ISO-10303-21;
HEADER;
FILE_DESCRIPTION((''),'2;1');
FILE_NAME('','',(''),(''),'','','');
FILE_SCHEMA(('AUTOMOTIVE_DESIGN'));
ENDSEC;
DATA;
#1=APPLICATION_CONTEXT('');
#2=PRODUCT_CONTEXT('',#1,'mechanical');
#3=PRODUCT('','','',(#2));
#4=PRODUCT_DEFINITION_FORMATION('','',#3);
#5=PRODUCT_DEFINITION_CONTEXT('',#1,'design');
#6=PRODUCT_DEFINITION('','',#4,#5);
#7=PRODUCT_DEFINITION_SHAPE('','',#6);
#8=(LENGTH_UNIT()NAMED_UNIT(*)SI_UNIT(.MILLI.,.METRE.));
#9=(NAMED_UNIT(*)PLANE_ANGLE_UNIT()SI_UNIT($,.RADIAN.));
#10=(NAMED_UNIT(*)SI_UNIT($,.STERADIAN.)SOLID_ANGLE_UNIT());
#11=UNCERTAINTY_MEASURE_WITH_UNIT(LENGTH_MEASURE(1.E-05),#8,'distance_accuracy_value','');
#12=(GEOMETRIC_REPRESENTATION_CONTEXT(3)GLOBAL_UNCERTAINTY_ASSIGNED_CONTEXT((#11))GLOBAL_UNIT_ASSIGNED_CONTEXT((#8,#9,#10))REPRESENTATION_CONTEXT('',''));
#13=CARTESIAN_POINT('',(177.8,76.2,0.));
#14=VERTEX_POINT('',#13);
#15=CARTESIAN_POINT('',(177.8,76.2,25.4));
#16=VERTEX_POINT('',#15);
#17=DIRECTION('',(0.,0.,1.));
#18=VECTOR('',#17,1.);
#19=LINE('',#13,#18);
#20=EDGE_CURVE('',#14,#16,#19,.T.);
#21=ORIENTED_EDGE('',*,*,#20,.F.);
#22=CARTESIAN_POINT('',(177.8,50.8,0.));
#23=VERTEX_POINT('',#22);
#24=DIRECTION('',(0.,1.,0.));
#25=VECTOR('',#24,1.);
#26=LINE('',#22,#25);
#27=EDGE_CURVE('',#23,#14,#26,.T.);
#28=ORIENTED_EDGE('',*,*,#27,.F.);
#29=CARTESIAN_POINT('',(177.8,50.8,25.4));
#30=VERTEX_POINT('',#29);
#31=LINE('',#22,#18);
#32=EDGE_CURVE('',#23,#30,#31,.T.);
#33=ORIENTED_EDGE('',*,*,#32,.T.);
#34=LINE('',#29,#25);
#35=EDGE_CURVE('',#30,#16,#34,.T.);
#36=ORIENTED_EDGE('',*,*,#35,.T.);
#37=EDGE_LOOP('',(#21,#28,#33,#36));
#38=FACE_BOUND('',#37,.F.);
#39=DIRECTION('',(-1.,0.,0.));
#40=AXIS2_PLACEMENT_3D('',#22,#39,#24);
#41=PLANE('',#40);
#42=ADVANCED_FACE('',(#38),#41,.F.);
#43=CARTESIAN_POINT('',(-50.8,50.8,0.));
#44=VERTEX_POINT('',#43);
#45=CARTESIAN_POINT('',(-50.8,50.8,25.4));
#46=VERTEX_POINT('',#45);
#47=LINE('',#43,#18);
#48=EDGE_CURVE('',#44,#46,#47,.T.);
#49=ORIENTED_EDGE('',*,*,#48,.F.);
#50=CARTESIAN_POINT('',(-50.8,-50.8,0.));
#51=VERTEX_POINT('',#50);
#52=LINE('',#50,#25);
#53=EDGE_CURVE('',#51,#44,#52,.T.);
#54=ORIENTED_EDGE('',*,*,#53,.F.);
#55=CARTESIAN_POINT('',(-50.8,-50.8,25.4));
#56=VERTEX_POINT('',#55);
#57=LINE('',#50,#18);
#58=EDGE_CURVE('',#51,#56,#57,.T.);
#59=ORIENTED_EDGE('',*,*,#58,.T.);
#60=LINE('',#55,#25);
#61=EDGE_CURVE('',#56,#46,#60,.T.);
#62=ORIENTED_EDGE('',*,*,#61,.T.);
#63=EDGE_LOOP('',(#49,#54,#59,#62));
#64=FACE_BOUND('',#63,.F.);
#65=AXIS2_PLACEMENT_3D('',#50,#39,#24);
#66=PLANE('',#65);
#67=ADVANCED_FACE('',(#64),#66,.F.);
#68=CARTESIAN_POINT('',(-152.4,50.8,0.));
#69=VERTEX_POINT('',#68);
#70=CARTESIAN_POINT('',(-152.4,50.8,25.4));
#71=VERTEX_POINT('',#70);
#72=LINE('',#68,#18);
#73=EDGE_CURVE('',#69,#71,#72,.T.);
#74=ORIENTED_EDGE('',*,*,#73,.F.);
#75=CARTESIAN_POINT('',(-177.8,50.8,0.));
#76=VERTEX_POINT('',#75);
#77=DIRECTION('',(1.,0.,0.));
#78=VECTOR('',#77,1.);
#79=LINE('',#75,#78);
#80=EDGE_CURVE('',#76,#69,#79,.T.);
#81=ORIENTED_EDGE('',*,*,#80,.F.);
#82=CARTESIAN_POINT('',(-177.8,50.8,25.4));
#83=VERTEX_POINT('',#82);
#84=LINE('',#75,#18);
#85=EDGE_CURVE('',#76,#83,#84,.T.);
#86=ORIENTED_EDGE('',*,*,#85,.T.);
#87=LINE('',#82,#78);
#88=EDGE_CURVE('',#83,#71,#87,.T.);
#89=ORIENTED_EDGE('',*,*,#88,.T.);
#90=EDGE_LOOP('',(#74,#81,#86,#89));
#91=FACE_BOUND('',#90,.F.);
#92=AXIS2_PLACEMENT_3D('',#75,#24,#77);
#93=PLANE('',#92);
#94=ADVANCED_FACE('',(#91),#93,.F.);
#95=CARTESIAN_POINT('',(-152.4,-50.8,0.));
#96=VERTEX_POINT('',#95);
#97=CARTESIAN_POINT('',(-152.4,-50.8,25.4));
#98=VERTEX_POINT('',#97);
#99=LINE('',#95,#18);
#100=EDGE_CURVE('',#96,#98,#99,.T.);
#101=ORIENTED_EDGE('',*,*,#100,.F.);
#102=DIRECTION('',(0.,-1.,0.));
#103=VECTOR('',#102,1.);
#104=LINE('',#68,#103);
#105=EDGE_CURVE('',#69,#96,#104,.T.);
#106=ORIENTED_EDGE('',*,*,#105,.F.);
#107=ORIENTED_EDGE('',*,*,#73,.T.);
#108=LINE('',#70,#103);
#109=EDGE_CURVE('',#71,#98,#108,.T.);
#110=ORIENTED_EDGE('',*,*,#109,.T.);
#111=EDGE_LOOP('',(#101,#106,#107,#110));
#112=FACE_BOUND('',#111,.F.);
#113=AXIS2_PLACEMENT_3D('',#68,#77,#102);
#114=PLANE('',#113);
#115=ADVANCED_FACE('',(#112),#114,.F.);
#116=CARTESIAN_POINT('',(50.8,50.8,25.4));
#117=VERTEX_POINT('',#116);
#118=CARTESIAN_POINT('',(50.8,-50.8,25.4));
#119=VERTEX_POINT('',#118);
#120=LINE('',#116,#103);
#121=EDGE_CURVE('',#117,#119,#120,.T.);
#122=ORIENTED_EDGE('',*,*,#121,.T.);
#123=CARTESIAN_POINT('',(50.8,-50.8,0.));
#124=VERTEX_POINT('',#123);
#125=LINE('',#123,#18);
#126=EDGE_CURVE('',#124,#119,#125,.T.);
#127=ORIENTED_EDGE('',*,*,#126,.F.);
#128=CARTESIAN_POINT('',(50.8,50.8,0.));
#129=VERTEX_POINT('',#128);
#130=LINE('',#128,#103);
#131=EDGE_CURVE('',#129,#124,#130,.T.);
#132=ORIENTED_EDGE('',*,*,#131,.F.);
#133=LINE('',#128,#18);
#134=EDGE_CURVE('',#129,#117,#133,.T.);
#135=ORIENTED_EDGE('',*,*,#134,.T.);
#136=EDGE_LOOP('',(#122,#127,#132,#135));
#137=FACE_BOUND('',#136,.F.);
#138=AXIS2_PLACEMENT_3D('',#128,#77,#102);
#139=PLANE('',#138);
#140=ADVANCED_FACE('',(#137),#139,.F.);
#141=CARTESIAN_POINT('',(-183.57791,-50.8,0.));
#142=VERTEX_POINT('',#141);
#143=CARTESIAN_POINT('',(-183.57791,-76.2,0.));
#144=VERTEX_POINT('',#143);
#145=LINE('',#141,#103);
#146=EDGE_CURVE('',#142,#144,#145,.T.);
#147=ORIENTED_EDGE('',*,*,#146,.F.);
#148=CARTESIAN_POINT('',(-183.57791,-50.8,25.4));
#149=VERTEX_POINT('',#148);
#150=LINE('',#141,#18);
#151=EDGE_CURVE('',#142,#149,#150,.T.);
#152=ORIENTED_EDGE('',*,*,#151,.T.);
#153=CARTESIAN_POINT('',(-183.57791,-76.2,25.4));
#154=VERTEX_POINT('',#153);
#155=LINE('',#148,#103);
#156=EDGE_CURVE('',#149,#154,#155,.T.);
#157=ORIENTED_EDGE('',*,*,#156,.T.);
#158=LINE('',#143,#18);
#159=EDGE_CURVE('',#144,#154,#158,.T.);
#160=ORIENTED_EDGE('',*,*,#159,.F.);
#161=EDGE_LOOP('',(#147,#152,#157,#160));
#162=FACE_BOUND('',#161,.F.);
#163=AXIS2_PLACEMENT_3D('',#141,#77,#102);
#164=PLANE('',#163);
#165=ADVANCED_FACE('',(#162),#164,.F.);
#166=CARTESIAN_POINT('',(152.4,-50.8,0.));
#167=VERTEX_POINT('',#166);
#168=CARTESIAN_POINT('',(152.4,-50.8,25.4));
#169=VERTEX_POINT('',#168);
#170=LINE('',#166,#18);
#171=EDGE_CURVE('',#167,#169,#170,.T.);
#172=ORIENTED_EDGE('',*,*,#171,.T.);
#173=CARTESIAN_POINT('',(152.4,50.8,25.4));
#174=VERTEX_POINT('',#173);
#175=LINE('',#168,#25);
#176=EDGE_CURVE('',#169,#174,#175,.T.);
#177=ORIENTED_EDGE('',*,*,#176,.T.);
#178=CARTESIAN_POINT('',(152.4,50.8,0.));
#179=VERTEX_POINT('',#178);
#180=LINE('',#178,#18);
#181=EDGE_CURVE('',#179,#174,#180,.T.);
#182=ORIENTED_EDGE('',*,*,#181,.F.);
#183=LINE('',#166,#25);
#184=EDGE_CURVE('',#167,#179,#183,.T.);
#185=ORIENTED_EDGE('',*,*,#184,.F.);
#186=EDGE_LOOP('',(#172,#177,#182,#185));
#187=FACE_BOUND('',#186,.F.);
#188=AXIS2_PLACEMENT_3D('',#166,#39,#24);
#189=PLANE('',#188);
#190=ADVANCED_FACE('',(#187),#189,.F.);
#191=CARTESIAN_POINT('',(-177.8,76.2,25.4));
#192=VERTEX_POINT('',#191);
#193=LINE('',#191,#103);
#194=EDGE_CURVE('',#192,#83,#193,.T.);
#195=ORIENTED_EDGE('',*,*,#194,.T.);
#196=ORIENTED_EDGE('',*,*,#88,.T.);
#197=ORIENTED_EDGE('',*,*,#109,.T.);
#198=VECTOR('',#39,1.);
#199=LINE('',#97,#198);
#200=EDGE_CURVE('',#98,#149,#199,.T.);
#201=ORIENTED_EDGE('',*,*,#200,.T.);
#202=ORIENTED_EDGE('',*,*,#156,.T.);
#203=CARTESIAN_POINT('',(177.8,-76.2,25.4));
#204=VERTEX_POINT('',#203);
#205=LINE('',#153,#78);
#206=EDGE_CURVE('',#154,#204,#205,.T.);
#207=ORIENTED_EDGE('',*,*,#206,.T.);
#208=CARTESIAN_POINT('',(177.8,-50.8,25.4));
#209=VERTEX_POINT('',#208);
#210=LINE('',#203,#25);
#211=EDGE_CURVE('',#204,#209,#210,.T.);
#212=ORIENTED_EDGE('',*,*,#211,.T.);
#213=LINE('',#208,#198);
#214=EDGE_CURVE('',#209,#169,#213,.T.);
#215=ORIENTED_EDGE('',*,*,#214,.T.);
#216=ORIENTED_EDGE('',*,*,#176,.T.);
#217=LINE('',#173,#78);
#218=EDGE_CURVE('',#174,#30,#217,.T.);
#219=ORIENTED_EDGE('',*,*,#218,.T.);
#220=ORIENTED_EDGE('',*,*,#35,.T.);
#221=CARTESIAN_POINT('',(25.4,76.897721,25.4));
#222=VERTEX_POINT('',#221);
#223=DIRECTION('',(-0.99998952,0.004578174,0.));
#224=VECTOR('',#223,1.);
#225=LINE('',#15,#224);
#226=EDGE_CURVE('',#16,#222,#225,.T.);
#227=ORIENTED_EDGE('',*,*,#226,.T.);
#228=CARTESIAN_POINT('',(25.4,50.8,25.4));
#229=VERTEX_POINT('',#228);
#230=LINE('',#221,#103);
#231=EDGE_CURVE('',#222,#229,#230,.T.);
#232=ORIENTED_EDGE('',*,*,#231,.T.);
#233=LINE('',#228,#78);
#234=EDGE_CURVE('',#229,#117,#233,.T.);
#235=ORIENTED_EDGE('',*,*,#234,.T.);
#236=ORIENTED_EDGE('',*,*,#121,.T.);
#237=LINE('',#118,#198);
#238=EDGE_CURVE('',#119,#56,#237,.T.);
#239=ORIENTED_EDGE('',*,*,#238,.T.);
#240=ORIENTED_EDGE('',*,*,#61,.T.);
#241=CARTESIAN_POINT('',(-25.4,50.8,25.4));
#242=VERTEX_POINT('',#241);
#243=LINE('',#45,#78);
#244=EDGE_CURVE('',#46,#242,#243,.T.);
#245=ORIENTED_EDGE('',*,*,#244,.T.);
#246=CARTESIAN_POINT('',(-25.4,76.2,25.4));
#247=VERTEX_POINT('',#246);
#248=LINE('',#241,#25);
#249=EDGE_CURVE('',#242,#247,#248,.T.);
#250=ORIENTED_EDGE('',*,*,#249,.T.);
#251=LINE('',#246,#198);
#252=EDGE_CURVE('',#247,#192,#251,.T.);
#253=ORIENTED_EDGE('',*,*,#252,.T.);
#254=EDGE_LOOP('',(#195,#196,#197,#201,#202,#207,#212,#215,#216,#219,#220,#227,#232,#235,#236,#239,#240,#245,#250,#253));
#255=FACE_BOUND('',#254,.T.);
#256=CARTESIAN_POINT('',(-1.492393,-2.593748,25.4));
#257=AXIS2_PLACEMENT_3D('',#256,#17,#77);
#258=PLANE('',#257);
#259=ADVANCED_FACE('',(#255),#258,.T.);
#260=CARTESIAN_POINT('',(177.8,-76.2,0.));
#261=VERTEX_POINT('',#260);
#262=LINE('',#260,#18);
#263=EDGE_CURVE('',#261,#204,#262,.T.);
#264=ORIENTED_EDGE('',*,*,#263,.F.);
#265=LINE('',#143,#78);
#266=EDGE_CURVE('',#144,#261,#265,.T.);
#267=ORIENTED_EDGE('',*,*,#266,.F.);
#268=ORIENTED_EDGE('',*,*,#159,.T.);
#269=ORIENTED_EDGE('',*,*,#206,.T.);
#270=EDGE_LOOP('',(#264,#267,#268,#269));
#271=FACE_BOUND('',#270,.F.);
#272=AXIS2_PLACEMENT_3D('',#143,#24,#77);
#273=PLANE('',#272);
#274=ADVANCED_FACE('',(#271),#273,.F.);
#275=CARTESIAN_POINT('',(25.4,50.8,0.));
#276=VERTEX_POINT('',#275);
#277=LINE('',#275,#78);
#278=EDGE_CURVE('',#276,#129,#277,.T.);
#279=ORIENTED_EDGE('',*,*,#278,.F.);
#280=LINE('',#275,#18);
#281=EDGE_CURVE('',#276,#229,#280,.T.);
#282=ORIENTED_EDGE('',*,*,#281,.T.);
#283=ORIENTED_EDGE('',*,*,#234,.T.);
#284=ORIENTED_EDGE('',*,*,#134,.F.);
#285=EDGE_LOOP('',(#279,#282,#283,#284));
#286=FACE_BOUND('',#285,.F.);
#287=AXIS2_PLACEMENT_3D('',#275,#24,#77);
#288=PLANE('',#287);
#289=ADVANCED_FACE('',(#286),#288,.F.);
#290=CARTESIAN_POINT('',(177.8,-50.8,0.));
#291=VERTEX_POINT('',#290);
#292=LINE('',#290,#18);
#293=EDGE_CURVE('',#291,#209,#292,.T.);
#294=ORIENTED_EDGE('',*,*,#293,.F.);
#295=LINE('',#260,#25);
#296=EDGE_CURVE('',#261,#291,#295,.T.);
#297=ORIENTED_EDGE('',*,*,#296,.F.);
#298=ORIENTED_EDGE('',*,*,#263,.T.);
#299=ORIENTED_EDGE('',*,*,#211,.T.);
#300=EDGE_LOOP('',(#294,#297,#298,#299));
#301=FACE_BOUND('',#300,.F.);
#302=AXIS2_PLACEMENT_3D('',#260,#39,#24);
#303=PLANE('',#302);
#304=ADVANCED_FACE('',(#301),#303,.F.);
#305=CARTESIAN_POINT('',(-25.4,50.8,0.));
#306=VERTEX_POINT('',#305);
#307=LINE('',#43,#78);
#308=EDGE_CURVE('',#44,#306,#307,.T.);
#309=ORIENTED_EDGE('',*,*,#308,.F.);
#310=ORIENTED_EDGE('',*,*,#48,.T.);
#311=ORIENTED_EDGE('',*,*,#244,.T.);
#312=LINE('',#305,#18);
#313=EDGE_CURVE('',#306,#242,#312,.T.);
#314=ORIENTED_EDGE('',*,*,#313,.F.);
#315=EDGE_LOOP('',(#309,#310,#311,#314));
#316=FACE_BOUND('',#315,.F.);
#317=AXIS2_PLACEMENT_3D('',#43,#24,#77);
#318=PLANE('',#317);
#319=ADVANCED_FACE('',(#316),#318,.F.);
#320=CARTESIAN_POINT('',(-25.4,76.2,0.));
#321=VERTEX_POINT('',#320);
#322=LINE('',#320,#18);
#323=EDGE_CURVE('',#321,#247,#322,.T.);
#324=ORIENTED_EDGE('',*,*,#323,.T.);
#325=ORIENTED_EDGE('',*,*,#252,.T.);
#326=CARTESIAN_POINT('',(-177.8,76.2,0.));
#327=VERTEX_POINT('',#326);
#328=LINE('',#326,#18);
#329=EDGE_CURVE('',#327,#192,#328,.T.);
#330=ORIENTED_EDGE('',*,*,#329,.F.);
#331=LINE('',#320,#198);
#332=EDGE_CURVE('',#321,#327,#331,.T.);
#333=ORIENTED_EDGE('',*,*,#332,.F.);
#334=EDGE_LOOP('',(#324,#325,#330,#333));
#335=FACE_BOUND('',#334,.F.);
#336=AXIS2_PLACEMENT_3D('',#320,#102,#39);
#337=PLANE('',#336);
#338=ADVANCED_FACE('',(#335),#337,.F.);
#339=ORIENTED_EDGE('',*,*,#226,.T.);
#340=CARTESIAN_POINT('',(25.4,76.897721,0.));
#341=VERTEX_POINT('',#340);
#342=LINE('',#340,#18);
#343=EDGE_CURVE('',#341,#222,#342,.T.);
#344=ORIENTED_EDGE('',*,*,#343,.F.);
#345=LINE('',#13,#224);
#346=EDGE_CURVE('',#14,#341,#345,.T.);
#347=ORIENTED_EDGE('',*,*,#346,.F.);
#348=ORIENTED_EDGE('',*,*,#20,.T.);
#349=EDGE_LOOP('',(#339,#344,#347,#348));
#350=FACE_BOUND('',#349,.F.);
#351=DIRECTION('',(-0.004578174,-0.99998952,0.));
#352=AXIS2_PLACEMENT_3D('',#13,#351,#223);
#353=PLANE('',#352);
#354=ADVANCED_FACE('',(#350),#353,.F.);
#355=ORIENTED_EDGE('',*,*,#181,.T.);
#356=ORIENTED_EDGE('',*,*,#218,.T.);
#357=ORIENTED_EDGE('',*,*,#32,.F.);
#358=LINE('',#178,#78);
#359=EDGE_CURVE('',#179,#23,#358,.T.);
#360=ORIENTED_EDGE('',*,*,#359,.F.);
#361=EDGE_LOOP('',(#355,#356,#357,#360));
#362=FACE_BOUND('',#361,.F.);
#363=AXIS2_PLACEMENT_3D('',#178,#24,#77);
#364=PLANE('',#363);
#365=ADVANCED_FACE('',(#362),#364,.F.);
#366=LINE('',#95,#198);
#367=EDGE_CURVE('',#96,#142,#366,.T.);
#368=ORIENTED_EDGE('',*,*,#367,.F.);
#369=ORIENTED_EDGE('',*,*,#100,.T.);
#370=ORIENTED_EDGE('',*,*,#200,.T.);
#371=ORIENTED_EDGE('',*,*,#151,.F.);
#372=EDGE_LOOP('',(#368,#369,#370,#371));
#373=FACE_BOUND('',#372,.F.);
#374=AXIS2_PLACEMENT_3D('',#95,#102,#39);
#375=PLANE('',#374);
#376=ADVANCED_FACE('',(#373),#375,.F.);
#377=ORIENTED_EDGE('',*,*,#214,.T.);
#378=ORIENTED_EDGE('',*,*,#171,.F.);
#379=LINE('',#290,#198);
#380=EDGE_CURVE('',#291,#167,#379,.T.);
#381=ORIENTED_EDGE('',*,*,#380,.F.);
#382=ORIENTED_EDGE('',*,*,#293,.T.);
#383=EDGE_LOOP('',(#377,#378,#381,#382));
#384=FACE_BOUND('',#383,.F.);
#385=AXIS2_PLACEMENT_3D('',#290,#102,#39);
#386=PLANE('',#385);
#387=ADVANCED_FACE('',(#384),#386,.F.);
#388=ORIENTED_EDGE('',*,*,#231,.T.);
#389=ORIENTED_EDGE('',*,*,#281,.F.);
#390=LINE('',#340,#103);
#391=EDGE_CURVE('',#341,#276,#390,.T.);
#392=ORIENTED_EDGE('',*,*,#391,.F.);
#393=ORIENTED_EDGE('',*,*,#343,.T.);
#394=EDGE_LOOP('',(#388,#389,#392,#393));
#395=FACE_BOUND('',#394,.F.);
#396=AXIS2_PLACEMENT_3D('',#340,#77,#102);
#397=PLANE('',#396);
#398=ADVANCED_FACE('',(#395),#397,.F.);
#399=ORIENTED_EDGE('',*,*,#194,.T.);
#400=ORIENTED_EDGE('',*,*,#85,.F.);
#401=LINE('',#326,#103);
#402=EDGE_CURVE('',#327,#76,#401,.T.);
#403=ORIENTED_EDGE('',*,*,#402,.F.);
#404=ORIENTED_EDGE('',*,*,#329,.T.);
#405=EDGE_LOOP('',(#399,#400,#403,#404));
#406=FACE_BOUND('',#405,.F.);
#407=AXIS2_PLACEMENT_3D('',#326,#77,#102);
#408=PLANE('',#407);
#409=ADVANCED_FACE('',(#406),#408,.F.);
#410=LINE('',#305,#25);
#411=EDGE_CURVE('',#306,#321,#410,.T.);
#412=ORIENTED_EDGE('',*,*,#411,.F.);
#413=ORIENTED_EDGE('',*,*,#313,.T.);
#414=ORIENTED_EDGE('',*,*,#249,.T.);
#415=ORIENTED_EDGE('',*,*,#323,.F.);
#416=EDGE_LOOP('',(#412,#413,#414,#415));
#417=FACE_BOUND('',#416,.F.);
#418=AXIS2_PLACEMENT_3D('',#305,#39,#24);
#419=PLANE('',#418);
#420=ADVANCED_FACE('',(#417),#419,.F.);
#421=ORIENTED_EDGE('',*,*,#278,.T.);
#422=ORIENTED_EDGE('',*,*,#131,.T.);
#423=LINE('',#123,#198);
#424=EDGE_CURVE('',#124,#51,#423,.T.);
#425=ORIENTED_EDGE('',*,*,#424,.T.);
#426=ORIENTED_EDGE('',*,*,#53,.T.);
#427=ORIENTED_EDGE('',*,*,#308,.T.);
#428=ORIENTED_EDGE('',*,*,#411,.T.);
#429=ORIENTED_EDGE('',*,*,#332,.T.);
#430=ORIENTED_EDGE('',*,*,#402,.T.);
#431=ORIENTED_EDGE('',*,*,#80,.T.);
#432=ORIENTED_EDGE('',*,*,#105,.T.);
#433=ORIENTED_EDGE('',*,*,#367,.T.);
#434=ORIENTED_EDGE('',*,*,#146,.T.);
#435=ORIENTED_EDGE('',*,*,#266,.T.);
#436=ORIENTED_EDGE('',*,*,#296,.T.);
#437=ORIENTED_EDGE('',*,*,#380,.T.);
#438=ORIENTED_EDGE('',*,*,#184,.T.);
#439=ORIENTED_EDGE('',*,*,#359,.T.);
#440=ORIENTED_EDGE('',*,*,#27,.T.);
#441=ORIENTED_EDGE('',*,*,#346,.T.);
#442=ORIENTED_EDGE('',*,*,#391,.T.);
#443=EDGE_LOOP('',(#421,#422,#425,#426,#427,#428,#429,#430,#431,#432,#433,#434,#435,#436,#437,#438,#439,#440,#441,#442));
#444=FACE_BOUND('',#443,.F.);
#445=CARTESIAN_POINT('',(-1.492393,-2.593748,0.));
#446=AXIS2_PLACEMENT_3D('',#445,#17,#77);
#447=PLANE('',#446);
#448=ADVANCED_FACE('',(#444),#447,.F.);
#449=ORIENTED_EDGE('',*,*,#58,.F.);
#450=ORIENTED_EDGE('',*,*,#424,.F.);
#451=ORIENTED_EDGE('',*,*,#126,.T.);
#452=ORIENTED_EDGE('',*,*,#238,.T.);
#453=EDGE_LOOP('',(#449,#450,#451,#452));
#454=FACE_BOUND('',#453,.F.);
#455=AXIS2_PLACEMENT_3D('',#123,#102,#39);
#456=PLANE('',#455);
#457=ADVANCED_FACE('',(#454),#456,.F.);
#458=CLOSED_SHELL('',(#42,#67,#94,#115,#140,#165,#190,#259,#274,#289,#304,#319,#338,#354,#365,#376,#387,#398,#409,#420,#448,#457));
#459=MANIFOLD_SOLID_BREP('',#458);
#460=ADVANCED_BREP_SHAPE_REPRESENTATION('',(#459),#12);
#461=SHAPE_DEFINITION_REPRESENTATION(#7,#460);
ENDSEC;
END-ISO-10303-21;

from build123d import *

# Parameters (mm, degrees)
F1_DEPTH = 25.4


with BuildPart() as f1:
    # F0 (on Top) → F1 (new body)
    with BuildSketch(Plane.XY):
        Polygon((50.8, 50.8), (50.8, -50.8), (-50.8, -50.8), (-50.8, 50.8), (-25.4, 50.8), (-25.4, 76.2), (-76.2, 76.2), (-177.8, 76.2), (-177.8, 50.8), (-152.4, 50.8), (-152.4, -50.8), (-183.57791, -50.8), (-183.57791, -76.2), (177.8, -76.2), (177.8, -50.8), (152.4, -50.8), (152.4, 50.8), (177.8, 50.8), (177.8, 76.2), (25.4, 76.897721), (25.4, 50.8), align=None)
    extrude(amount=F1_DEPTH)


solid = f1.part
